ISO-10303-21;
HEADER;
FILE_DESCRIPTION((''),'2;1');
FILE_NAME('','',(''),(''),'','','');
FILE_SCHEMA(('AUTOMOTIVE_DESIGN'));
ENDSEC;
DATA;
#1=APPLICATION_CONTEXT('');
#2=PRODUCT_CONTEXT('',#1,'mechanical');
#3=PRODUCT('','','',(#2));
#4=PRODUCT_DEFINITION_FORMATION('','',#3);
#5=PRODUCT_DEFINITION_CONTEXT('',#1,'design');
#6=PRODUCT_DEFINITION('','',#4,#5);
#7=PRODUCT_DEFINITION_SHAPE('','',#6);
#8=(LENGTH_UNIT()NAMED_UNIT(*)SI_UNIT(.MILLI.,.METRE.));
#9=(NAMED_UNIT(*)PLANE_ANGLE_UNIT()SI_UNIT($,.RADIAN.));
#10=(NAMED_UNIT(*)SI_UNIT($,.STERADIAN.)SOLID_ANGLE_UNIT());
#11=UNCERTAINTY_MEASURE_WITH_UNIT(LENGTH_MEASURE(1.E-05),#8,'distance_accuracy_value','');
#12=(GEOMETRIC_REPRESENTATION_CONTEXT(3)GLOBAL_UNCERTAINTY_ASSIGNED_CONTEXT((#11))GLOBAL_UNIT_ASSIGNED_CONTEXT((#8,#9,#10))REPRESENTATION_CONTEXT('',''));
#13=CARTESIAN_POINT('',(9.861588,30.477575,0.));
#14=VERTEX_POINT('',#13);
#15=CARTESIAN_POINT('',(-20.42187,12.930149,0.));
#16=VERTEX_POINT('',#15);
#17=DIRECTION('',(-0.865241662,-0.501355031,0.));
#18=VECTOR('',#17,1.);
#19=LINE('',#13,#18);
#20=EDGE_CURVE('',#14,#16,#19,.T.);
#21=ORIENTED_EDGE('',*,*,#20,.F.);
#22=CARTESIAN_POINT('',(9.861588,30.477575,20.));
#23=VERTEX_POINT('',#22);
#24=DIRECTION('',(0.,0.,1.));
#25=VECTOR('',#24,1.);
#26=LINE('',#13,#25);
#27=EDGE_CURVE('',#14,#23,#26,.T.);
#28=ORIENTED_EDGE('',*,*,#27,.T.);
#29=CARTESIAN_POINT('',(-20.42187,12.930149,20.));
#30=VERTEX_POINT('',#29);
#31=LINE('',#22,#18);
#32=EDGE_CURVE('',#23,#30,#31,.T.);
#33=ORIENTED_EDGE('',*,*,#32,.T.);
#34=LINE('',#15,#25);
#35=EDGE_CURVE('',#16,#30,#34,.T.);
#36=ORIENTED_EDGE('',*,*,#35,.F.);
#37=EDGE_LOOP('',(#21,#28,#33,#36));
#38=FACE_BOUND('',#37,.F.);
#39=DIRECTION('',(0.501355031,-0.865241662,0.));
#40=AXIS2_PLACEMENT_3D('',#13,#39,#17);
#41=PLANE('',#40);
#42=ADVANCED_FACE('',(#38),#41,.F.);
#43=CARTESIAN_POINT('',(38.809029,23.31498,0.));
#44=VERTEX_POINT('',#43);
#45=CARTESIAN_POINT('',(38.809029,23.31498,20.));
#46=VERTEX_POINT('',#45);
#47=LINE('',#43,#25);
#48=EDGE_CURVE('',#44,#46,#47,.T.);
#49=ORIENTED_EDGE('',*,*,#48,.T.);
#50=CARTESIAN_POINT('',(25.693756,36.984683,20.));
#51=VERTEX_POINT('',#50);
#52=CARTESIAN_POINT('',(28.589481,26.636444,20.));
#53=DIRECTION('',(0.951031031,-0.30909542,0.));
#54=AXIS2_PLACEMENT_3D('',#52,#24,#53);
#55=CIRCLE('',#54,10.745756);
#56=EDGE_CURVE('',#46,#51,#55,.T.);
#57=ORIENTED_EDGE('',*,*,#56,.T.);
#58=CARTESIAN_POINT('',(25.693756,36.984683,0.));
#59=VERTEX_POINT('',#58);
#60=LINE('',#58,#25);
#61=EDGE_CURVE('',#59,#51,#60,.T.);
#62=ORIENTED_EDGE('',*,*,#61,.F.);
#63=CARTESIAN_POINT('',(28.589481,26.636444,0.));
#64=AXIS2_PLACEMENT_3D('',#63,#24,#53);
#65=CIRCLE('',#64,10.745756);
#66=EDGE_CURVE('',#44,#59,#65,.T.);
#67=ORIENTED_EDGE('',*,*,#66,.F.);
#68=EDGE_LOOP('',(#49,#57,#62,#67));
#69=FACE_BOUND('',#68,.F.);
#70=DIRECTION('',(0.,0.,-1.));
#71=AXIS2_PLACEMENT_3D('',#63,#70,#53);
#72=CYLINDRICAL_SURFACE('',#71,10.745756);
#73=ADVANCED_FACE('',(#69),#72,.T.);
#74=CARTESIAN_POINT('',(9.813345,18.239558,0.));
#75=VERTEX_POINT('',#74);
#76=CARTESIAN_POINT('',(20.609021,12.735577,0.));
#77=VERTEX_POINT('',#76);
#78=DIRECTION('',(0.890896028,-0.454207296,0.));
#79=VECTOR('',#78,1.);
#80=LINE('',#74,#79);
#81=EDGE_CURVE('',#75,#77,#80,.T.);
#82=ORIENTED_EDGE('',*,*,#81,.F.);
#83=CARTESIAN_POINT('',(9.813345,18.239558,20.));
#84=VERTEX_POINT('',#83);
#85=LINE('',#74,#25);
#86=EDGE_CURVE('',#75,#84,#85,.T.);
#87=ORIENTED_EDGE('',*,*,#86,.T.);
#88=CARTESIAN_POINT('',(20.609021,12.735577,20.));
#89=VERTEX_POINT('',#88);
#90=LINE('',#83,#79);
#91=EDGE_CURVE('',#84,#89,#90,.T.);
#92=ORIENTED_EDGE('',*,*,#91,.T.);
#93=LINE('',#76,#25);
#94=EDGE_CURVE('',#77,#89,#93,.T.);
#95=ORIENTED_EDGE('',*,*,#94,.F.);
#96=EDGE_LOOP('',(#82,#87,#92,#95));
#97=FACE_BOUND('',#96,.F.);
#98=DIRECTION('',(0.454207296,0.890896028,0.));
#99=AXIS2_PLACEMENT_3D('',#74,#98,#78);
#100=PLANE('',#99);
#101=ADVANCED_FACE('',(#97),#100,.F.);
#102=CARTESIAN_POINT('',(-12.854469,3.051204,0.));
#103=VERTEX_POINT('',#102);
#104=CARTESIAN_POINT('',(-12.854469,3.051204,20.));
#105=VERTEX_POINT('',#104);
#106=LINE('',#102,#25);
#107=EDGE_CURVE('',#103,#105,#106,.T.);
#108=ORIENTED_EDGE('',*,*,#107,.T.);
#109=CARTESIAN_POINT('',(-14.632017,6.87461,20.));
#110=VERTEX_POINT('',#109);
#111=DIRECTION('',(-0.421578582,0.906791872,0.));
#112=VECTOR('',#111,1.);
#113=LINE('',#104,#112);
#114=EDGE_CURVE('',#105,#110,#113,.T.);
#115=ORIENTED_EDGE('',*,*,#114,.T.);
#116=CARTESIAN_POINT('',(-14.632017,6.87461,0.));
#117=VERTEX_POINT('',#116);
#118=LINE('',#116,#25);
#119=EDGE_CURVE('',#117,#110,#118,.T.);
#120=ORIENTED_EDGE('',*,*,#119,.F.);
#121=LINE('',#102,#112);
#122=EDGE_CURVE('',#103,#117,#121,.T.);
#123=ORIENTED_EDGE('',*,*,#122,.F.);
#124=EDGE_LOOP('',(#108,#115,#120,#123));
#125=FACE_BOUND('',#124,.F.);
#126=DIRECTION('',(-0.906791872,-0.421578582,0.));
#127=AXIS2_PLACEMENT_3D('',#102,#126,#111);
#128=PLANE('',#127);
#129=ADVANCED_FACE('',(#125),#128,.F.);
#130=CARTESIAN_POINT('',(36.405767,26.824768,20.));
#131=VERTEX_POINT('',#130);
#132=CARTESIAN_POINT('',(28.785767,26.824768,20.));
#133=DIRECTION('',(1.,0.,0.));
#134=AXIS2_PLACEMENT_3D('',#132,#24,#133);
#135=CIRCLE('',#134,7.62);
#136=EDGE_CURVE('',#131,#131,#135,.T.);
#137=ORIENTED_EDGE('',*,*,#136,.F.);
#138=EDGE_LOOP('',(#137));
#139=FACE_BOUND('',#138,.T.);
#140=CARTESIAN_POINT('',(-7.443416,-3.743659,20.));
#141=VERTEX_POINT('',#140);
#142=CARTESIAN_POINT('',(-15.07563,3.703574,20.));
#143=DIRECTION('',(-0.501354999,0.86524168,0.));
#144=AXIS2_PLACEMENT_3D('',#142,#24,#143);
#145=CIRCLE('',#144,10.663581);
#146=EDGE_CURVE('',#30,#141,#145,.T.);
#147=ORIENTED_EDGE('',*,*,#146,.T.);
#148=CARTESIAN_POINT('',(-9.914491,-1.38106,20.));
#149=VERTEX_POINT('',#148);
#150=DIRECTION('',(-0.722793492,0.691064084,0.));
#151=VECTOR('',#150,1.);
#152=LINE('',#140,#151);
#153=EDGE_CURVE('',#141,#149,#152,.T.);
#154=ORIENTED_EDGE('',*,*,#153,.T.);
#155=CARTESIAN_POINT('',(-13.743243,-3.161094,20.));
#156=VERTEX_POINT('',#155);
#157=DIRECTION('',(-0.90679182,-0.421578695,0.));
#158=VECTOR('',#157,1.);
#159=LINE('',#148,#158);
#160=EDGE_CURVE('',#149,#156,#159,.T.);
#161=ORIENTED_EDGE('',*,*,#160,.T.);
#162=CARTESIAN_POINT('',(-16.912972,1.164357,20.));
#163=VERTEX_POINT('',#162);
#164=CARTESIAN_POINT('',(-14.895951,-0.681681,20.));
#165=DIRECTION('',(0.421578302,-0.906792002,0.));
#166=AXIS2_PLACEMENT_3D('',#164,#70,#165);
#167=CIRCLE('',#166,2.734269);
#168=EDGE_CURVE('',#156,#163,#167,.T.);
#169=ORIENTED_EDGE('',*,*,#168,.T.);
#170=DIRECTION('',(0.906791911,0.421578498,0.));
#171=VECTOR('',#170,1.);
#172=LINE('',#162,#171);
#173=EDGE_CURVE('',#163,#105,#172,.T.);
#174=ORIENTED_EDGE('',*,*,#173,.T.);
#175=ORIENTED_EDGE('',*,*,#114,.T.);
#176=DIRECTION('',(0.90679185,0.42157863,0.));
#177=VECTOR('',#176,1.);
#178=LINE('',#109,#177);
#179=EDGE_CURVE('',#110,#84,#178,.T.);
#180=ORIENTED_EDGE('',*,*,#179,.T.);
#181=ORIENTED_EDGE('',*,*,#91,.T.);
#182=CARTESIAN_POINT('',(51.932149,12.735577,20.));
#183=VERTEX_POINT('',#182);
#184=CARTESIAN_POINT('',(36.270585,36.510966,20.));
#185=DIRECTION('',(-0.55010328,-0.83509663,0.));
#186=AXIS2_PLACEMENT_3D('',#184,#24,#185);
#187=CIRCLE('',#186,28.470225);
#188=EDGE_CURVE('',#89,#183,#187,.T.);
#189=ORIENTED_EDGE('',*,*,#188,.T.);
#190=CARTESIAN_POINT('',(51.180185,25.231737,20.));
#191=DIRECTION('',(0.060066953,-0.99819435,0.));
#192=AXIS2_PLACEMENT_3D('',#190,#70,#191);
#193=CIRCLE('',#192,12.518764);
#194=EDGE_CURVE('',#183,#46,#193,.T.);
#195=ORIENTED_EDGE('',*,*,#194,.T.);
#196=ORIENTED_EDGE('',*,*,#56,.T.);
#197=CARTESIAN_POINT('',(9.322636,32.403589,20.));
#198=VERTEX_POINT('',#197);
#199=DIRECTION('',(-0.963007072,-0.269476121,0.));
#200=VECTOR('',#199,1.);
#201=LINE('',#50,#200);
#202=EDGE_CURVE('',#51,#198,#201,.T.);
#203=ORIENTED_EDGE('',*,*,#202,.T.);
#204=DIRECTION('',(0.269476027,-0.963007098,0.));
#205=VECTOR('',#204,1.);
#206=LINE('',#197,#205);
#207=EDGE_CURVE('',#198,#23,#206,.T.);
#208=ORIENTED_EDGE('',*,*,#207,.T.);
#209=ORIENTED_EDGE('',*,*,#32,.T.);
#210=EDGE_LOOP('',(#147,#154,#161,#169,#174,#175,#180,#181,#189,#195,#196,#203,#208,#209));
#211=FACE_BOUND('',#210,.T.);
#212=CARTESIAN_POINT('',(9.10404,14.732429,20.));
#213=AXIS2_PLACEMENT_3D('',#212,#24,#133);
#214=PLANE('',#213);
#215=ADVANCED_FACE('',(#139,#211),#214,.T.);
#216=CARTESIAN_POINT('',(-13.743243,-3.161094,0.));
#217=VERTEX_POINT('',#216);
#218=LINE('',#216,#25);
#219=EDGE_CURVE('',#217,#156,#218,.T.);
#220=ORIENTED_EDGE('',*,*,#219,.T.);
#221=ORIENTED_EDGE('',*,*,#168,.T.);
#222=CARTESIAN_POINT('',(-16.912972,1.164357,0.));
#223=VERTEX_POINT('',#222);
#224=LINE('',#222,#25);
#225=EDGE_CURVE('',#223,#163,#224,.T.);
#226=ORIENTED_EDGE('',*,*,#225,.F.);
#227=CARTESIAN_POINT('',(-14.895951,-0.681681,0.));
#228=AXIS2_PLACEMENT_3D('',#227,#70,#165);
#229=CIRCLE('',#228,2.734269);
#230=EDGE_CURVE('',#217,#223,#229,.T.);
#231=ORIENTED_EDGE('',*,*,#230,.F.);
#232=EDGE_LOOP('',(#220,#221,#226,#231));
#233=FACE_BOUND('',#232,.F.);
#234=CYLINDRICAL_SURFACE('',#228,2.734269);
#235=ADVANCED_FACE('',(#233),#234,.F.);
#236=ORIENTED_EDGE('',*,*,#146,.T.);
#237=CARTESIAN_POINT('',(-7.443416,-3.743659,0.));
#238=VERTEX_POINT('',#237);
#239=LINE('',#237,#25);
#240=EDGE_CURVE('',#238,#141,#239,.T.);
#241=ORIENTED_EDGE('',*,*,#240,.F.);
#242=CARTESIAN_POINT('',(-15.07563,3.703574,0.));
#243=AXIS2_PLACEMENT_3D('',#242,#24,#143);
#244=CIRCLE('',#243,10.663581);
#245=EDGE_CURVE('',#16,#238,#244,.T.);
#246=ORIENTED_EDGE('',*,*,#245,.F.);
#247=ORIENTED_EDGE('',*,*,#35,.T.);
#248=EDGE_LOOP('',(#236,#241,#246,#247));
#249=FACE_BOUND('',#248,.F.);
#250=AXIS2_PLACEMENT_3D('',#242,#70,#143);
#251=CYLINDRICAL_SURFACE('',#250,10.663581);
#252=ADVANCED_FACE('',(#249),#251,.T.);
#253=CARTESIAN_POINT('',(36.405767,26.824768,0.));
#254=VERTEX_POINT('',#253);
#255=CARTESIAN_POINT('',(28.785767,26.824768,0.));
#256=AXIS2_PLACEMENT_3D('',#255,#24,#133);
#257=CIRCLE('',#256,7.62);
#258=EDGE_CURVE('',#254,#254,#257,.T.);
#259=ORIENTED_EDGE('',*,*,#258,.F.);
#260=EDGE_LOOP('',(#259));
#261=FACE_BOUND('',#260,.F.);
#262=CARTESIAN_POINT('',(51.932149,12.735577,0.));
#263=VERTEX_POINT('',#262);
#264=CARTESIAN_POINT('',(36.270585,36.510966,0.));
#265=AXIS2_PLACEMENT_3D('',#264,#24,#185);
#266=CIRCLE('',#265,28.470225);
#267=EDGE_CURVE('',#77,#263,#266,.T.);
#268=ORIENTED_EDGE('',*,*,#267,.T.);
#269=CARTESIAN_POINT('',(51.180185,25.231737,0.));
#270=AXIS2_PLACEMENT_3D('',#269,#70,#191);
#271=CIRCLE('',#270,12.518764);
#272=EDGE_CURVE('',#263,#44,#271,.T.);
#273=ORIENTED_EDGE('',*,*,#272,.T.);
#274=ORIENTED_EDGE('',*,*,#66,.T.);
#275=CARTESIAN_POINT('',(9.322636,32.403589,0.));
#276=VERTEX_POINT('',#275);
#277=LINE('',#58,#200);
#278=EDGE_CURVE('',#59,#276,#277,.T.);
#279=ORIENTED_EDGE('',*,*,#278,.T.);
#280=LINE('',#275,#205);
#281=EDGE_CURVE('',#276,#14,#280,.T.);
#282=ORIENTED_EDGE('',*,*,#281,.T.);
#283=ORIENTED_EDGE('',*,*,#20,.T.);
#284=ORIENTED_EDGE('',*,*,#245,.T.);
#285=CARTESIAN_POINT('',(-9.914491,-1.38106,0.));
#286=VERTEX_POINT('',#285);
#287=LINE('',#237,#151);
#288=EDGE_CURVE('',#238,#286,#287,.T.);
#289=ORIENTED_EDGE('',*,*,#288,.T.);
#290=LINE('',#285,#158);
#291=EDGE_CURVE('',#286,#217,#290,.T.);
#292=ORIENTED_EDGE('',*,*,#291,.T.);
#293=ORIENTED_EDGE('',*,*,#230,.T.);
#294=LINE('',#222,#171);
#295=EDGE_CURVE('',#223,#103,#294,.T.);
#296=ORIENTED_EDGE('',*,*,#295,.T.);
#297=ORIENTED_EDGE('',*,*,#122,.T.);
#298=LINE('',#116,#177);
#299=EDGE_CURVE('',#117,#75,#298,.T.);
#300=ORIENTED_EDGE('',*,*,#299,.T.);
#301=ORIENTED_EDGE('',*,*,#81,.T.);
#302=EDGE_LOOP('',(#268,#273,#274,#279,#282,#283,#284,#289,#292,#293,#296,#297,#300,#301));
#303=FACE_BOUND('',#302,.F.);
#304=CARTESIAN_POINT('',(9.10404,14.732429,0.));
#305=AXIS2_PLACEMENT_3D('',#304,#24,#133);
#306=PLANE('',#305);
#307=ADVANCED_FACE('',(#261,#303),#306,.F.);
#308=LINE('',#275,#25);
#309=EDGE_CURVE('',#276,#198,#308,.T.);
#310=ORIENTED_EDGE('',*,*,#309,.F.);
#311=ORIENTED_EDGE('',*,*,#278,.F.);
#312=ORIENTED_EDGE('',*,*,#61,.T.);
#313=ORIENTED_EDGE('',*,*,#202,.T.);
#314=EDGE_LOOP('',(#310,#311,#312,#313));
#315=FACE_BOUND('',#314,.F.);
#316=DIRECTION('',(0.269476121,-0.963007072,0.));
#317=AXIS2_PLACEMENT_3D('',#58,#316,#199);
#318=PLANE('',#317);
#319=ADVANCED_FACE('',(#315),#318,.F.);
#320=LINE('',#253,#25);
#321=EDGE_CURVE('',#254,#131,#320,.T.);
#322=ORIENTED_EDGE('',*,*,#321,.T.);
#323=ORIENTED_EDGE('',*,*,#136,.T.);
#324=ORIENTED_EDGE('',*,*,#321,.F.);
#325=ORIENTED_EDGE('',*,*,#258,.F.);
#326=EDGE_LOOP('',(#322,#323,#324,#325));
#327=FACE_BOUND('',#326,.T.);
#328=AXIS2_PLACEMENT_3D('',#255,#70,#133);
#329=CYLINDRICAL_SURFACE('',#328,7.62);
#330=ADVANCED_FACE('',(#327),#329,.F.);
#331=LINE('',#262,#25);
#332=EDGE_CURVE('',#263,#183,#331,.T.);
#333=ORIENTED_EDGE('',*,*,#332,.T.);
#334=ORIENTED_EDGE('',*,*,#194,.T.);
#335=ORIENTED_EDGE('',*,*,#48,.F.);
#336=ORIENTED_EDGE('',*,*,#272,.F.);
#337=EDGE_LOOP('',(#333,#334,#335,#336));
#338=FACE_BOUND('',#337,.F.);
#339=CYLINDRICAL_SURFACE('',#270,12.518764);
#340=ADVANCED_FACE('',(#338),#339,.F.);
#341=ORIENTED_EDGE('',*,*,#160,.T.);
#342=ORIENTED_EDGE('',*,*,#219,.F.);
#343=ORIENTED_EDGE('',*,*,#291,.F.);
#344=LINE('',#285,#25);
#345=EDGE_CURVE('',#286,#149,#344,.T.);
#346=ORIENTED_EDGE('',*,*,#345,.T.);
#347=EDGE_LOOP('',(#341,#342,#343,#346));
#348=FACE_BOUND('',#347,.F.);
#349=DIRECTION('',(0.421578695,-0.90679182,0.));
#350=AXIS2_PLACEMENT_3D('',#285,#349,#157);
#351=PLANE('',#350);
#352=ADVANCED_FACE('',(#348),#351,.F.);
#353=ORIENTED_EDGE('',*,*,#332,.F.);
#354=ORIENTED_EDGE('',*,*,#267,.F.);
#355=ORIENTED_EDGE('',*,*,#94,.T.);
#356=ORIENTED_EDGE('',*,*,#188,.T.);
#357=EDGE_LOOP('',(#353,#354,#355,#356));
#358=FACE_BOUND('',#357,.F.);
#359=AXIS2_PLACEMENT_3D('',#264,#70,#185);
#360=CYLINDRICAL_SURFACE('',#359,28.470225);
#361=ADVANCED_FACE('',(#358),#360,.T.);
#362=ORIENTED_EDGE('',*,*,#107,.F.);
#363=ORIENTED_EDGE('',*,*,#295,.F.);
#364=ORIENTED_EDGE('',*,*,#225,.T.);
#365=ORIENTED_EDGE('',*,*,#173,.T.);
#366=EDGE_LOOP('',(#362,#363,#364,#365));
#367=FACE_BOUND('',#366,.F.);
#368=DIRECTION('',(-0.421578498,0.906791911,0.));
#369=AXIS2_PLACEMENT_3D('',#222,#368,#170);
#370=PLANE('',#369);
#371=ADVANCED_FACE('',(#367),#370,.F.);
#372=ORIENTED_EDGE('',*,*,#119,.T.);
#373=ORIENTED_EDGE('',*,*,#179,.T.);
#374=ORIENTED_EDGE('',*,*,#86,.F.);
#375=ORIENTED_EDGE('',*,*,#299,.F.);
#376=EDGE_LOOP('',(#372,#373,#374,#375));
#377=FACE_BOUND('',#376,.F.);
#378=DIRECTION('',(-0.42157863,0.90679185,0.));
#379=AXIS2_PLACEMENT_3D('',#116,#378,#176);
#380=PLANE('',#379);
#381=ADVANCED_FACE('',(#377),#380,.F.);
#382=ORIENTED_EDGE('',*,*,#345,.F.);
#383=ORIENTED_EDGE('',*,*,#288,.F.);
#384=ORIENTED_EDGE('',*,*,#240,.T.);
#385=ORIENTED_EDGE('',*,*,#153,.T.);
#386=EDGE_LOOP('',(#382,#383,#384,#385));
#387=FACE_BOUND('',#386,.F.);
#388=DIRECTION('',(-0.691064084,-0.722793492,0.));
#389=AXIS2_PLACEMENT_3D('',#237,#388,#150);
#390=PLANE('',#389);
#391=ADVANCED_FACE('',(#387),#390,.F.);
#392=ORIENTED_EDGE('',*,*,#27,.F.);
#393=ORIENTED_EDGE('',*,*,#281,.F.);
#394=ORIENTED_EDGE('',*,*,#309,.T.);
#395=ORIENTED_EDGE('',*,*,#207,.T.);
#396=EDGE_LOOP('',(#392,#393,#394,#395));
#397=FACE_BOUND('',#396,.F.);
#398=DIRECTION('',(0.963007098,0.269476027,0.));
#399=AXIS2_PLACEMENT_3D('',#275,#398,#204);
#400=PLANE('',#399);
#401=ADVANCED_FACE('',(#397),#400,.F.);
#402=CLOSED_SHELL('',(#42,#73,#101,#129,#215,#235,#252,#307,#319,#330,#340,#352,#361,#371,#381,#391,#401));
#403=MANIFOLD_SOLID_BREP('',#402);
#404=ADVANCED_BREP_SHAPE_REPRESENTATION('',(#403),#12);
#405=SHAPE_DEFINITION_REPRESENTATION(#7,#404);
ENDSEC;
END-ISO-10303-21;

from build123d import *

# Parameters (mm, degrees)
F0_R     = 7.62
F1_DEPTH = 20


with BuildPart() as f1:
    # F0 (on Top) → F1 (new body)
    with BuildSketch(Plane.XY):
        with BuildLine():
            Line((9.861588, 30.477575), (-20.42187, 12.930149))
            ThreePointArc((-20.42187, 12.930149), (-23.490521, -2.846356), (-7.443416, -3.743659))
            Line((-7.443416, -3.743659), (-9.914491, -1.38106))
            Line((-9.914491, -1.38106), (-13.743243, -3.161094))
            ThreePointArc((-13.743243, -3.161094), (-17.101431, -2.297876), (-16.912972, 1.164357))
            Line((-16.912972, 1.164357), (-12.854469, 3.051204))
            Line((-12.854469, 3.051204), (-14.632017, 6.87461))
            Line((-14.632017, 6.87461), (9.813345, 18.239558))
            Line((9.813345, 18.239558), (20.609021, 12.735577))
            ThreePointArc((20.609021, 12.735577), (36.270585, 8.040741), (51.932149, 12.735577))
            ThreePointArc((51.932149, 12.735577), (43.323191, 15.485604), (38.809029, 23.31498))
            ThreePointArc((38.809029, 23.31498), (36.343499, 34.075966), (25.693756, 36.984683))
            Line((25.693756, 36.984683), (9.322636, 32.403589))
            Line((9.322636, 32.403589), (9.861588, 30.477575))
        make_face()
        with Locations((28.785767, 26.824768)):
            Circle(F0_R, mode=Mode.SUBTRACT)
    extrude(amount=F1_DEPTH)


solid = f1.part
